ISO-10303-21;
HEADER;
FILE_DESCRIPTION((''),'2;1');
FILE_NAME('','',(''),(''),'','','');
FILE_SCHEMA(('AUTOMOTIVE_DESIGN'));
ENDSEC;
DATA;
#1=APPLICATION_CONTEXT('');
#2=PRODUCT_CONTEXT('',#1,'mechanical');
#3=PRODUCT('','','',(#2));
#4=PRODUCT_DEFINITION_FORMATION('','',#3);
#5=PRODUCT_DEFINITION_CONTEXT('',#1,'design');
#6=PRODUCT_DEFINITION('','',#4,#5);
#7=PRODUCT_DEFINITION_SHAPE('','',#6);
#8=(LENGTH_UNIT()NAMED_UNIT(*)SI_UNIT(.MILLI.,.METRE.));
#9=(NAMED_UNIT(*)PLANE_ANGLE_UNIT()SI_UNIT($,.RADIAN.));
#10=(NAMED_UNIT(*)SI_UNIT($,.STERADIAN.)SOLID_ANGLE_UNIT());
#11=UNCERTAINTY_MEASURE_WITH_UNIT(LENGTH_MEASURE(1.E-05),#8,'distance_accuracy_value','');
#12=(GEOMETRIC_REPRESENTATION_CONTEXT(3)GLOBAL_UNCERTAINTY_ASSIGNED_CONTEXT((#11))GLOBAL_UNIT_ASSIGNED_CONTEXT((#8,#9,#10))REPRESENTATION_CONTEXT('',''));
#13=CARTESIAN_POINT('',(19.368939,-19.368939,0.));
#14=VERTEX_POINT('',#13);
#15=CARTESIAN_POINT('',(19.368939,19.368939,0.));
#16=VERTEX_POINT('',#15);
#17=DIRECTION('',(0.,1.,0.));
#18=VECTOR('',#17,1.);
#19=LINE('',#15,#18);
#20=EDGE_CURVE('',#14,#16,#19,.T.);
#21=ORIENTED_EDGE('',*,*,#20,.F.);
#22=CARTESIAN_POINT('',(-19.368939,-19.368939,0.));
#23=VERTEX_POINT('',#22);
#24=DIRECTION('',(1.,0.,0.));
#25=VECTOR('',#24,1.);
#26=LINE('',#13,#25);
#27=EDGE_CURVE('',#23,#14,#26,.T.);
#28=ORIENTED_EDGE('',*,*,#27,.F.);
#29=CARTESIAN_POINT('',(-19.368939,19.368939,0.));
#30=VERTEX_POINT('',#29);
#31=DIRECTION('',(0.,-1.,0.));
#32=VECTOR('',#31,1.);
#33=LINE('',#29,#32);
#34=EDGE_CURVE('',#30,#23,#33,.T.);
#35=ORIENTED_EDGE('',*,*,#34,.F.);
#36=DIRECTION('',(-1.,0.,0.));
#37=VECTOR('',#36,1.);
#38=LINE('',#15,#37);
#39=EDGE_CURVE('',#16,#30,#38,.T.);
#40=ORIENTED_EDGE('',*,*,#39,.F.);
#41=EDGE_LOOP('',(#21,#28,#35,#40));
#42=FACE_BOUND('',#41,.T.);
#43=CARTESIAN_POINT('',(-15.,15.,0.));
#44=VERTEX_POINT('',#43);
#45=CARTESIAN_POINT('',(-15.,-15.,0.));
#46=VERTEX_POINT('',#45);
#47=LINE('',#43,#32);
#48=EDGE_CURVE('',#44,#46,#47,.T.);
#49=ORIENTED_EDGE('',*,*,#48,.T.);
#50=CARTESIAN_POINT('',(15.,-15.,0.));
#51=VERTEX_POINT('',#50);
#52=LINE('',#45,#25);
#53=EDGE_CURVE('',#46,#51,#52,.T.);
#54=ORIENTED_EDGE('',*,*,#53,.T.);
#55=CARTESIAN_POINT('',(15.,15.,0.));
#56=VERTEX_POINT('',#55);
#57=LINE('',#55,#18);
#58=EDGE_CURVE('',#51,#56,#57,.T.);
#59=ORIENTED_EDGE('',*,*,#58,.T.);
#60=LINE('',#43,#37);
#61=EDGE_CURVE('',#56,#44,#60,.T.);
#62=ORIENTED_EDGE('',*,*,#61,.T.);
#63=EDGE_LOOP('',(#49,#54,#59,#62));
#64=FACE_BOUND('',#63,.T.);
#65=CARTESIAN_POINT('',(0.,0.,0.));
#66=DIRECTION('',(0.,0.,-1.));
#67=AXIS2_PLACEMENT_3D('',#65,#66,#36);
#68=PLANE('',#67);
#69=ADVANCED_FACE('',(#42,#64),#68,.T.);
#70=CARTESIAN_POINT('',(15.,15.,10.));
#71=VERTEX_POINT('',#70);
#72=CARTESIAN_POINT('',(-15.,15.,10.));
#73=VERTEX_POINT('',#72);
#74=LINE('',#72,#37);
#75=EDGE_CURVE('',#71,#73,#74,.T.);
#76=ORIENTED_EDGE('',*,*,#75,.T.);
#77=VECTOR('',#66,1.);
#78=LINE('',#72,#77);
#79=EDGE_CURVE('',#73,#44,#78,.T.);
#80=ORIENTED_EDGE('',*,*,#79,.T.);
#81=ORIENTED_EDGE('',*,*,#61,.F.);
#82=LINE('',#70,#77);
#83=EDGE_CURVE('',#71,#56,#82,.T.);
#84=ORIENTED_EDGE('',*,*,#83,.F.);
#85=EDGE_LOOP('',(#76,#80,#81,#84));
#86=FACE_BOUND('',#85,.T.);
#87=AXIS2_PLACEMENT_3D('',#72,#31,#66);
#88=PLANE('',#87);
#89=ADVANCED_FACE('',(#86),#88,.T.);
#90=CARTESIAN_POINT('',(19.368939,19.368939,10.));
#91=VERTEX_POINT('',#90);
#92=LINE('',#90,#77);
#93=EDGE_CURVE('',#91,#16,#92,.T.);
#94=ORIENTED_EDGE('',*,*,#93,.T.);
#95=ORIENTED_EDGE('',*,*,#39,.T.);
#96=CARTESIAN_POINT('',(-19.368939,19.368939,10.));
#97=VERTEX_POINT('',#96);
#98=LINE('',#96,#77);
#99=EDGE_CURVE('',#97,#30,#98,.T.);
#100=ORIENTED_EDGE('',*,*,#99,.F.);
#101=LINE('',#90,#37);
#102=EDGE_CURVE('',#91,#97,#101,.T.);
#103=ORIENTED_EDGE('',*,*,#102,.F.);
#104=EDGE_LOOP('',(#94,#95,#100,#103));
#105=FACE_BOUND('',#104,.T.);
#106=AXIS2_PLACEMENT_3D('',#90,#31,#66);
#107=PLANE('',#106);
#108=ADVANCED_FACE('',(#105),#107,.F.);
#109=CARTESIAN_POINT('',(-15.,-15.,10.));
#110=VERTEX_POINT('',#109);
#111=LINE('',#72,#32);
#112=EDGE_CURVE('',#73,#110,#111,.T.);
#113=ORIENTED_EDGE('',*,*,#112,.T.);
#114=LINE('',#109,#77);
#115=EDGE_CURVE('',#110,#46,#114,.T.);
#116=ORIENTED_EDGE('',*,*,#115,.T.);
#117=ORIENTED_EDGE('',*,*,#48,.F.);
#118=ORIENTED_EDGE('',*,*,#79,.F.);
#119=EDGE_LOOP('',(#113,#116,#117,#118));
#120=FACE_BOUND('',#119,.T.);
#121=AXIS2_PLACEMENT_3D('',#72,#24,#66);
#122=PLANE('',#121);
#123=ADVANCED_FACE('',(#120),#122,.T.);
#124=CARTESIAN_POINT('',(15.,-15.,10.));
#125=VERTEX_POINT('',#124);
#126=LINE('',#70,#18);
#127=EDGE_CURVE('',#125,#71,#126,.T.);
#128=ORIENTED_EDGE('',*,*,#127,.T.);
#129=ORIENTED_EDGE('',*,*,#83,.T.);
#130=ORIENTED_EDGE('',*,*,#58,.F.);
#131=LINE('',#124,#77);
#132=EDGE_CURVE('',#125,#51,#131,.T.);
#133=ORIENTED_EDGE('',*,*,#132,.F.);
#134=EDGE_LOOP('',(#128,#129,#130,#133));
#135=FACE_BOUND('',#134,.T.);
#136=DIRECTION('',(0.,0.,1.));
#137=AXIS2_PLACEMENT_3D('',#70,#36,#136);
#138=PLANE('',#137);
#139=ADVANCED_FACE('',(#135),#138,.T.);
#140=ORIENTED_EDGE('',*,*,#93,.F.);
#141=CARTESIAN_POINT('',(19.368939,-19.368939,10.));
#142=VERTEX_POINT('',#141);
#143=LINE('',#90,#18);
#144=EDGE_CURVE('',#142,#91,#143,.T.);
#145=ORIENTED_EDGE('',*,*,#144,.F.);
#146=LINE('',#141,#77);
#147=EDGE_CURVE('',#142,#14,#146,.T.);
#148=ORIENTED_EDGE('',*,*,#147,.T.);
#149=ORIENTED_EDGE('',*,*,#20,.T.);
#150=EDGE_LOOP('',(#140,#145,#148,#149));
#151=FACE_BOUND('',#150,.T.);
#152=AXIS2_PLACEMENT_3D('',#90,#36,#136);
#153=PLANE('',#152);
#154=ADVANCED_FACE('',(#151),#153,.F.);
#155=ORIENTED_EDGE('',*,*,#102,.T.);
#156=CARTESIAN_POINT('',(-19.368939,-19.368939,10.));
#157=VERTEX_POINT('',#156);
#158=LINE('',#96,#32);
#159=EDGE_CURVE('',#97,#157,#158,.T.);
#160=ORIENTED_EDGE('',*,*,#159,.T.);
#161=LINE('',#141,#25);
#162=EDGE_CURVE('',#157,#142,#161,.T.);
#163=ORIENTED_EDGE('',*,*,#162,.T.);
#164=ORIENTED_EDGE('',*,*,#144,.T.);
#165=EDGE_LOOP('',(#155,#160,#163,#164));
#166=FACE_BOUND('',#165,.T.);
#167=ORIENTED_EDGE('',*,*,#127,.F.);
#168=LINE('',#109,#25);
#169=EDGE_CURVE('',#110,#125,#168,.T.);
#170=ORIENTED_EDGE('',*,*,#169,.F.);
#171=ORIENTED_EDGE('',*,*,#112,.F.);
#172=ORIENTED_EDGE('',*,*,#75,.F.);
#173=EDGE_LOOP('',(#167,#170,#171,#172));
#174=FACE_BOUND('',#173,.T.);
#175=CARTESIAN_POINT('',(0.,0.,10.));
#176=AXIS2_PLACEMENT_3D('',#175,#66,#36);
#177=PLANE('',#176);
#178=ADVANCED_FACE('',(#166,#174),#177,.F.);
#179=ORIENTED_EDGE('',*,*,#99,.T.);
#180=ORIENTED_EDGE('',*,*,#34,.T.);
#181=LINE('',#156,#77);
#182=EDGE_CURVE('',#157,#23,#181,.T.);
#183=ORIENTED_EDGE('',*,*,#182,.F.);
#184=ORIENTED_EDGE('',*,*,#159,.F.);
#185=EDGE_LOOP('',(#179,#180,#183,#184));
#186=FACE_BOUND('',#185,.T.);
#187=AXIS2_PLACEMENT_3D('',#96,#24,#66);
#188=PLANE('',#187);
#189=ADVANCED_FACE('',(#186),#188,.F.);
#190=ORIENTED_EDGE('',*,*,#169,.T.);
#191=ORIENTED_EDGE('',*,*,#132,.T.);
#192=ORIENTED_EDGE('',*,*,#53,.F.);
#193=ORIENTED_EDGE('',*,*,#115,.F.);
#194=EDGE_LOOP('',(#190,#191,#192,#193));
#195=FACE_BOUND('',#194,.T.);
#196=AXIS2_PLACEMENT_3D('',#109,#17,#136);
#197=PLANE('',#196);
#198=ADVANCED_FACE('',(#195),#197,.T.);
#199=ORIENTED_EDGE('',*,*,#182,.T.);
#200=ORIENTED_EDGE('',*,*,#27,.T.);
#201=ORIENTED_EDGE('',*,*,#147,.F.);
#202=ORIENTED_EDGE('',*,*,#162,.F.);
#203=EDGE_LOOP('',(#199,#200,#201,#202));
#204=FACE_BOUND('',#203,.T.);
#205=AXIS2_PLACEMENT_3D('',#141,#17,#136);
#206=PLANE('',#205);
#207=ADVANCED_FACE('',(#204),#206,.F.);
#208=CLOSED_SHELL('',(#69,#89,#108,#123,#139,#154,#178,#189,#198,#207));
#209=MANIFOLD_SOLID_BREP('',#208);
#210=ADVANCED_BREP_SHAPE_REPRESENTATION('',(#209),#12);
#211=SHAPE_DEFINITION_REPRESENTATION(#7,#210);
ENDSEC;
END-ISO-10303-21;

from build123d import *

# Parameters (mm, degrees)
SKETCH1_W           = 38.737878464
SKETCH1_H           = 38.737878464
SKETCH1_W_2         = 30
SKETCH1_H_2         = 30
BOSS_EXTRUDE1_DEPTH = 10


with BuildPart() as part:
    # Sketch1 → Boss-Extrude1 (new body)
    with BuildSketch(Plane.XY):
        Rectangle(SKETCH1_W, SKETCH1_H)
        Rectangle(SKETCH1_W_2, SKETCH1_H_2, mode=Mode.SUBTRACT)
    extrude(amount=BOSS_EXTRUDE1_DEPTH)


solid = part.part
